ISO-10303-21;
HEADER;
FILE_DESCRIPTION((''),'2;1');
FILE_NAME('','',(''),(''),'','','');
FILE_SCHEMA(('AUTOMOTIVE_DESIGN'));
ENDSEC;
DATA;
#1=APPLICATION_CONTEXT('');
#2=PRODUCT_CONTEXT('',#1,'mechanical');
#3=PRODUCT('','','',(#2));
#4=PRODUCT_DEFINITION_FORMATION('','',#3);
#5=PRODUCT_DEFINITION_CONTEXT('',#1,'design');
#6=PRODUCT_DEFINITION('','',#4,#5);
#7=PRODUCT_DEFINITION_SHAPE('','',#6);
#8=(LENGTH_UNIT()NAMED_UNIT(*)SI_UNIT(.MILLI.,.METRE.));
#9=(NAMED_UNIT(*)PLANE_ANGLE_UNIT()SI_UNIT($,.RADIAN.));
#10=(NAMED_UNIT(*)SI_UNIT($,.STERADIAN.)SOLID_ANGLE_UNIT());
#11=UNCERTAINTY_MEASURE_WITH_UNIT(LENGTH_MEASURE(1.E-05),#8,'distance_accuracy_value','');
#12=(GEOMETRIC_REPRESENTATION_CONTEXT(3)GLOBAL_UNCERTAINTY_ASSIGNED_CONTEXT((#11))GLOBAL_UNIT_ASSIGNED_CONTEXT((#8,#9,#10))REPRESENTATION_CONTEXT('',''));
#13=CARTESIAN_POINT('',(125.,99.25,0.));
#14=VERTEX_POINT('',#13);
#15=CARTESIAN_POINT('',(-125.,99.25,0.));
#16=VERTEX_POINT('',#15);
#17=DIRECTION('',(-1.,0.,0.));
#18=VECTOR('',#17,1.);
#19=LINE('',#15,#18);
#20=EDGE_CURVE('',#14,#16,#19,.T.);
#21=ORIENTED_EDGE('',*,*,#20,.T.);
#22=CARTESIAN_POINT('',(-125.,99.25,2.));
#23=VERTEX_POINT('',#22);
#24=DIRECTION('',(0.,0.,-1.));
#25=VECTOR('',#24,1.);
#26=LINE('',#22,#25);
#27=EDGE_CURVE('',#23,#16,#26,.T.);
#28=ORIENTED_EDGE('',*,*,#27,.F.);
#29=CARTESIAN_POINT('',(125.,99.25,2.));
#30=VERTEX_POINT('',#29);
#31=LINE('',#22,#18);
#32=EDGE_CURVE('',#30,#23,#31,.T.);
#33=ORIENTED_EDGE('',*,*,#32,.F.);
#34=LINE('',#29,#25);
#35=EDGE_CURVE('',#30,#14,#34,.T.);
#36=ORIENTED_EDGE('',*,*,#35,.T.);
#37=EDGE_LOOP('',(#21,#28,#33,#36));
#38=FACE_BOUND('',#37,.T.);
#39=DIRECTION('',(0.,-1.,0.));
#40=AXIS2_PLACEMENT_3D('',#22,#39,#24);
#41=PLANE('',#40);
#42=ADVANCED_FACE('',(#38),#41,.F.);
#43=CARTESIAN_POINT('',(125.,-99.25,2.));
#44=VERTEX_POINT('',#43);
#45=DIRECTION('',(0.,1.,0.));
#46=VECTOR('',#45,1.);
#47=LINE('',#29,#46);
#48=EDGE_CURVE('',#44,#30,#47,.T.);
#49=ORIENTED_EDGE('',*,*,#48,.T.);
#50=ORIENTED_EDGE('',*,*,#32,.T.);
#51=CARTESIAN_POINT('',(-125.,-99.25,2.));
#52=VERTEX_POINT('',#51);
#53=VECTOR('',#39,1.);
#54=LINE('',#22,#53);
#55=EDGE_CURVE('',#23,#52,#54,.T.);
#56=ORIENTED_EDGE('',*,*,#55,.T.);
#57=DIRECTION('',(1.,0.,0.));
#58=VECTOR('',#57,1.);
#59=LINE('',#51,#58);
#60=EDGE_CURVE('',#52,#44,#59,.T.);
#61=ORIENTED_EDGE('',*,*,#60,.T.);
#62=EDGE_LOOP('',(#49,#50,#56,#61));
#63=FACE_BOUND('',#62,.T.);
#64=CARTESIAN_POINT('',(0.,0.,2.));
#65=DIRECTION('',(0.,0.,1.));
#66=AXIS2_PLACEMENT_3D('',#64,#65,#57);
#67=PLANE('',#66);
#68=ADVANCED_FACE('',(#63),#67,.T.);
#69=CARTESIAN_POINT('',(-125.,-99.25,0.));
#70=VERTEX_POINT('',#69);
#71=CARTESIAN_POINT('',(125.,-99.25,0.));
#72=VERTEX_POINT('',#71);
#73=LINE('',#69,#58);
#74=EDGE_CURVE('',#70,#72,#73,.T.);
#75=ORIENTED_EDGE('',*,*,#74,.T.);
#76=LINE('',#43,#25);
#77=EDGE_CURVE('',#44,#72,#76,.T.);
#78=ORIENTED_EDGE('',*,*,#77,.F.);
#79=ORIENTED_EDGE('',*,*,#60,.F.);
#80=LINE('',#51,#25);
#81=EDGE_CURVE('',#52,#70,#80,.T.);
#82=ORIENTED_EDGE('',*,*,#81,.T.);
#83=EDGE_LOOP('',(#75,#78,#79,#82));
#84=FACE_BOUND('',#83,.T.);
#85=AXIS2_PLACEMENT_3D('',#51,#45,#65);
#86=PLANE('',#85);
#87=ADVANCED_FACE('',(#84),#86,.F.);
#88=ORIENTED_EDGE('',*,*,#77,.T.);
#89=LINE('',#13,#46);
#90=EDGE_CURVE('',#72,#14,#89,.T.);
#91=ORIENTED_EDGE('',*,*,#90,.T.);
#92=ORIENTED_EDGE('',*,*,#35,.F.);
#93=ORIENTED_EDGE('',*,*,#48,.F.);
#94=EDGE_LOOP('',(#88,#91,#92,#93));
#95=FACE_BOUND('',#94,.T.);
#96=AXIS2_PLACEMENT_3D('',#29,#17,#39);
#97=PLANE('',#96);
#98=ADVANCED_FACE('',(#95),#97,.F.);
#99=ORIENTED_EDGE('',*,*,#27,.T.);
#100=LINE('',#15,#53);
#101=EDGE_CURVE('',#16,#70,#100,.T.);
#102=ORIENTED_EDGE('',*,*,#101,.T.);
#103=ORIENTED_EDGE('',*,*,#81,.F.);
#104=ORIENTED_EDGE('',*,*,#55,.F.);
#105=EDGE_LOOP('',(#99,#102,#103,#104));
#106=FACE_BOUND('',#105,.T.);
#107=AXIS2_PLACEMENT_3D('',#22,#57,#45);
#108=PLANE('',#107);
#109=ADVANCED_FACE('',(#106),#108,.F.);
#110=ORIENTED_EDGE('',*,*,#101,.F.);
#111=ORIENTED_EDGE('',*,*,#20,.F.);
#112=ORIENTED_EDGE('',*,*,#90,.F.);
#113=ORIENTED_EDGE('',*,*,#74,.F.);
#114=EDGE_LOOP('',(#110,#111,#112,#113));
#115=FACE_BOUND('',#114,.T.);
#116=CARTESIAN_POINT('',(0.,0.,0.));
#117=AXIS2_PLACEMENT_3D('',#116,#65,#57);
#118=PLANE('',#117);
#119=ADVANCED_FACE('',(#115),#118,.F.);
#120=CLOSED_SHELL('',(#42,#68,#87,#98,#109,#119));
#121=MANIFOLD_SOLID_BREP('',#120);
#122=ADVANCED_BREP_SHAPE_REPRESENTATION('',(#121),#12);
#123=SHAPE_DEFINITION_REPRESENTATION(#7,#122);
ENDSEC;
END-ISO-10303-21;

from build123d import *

# Parameters (mm, degrees)
CROQUIS1_W              = 250
CROQUIS1_H              = 198.5
SALIENTE_EXTRUIR1_DEPTH = 2


with BuildPart() as part:
    # Croquis1 → Saliente-Extruir1 (new body)
    with BuildSketch(Plane.XY):
        Rectangle(CROQUIS1_W, CROQUIS1_H)
    extrude(amount=SALIENTE_EXTRUIR1_DEPTH)


solid = part.part
